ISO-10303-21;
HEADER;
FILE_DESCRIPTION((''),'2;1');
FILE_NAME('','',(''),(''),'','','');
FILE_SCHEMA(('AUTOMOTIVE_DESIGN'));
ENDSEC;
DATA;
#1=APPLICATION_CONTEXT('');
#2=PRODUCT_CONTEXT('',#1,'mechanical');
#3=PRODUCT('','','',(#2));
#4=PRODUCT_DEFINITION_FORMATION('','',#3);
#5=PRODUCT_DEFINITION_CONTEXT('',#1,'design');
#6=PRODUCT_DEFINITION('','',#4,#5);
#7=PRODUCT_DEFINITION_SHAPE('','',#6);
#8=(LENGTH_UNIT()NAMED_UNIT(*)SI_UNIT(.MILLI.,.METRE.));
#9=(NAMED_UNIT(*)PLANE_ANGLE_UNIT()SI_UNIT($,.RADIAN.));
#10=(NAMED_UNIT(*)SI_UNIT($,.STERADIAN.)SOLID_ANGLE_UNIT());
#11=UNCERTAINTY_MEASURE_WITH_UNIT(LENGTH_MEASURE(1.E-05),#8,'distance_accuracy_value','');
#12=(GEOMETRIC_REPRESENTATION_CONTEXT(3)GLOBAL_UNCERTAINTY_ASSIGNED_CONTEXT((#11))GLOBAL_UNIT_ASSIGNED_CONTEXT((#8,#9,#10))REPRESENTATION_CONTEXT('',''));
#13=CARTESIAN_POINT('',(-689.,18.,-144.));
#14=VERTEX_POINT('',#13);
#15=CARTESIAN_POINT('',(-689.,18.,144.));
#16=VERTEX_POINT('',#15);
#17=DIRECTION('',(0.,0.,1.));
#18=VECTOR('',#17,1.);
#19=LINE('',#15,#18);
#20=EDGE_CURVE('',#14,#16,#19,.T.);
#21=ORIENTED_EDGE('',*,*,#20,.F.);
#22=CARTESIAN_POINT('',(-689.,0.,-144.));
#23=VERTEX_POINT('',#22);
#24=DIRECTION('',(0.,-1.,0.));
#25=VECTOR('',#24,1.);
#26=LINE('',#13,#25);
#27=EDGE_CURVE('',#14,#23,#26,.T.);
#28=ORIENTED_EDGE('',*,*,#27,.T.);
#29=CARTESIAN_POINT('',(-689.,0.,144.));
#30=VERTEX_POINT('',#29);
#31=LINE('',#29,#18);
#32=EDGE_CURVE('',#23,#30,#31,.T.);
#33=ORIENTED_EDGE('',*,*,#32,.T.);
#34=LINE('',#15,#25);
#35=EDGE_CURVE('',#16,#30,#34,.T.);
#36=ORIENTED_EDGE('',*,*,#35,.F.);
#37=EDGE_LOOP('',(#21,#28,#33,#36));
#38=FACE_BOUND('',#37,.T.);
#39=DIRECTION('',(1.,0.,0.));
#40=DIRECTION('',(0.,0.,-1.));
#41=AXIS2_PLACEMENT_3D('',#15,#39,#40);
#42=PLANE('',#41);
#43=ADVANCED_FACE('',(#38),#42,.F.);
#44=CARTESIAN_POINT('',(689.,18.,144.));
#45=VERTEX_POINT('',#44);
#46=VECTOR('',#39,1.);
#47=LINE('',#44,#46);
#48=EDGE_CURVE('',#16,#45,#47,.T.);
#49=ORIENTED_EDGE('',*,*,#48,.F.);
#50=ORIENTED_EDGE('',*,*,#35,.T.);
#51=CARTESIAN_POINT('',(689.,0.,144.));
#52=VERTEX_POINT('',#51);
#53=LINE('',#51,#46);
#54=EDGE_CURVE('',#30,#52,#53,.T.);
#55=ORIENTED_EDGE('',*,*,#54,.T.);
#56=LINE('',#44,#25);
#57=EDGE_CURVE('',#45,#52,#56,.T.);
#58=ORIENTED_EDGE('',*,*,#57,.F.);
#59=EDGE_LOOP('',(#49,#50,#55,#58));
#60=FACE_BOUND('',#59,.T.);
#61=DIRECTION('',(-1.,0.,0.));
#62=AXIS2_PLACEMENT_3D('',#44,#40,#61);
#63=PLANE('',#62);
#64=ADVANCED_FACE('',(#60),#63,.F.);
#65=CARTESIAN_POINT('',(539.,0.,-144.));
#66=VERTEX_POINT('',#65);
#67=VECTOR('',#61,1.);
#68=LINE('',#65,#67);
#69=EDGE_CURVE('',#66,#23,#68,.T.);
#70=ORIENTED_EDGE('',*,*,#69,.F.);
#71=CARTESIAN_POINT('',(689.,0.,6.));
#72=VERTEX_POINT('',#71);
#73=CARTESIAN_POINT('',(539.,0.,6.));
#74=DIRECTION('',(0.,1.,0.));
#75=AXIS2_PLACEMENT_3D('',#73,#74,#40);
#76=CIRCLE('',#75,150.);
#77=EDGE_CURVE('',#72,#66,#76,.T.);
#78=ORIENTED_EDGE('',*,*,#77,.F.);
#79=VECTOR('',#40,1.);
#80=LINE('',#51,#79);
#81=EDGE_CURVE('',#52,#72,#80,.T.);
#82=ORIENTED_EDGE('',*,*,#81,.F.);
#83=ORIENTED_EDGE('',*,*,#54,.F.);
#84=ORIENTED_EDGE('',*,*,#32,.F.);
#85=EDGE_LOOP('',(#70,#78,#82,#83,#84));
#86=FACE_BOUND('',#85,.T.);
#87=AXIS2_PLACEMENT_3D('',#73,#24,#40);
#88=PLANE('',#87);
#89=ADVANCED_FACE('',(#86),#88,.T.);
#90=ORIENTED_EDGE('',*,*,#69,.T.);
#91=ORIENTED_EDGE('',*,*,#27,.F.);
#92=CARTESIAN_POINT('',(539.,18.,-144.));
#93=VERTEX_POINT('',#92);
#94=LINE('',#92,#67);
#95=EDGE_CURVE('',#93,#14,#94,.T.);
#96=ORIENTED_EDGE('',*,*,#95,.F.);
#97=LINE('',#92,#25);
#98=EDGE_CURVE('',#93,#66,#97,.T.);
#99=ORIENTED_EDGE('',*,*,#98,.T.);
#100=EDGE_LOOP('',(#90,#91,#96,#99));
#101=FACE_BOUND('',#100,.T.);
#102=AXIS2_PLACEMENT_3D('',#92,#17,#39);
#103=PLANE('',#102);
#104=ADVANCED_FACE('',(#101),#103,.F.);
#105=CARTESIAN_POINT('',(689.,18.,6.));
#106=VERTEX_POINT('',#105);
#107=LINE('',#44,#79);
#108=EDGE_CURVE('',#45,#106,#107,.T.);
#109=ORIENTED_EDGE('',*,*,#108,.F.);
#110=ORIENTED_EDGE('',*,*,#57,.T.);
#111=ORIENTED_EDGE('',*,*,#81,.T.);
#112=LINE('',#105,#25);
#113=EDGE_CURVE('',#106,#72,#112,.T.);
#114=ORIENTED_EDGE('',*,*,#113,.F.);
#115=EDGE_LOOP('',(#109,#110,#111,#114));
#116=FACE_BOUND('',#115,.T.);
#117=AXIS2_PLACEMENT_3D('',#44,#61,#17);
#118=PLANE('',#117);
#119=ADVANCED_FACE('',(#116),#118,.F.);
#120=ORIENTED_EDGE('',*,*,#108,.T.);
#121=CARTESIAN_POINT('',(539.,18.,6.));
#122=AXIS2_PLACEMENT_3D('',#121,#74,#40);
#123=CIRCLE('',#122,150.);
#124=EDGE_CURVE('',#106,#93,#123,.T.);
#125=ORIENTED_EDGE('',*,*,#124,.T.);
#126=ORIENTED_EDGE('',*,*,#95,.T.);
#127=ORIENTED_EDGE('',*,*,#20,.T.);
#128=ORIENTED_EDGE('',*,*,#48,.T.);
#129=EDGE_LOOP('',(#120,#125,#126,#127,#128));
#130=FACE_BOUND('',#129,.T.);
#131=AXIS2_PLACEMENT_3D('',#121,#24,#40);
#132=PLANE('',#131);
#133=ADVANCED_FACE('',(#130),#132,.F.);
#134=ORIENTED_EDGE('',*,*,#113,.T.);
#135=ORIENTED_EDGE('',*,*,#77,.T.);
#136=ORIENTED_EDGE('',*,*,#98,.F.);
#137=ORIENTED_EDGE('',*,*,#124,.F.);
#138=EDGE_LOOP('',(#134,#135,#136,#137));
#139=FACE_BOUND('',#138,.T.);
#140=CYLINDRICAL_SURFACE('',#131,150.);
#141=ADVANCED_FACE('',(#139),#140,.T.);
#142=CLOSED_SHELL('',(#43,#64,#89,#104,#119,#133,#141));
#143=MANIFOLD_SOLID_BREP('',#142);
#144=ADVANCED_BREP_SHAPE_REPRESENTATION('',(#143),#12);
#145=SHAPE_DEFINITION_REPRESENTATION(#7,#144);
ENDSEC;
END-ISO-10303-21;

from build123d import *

# Parameters (mm, degrees)
BOSS_EXTRUDE1_DEPTH = 18


with BuildPart() as part:
    # Sketch1 → Boss-Extrude1 (new body)
    with BuildSketch(Plane(origin=(0, 0, 0), x_dir=(1, 0, 0), z_dir=(0, 1, 0))):
        with BuildLine():
            Line((689, -144), (-689, -144))
            Line((-689, -144), (-689, 144))
            Line((-689, 144), (539, 144))
            ThreePointArc((539, 144), (645.066017178, 100.066017178), (689, -6))
            Line((689, -6), (689, -144))
        make_face()
    extrude(amount=BOSS_EXTRUDE1_DEPTH)


solid = part.part
